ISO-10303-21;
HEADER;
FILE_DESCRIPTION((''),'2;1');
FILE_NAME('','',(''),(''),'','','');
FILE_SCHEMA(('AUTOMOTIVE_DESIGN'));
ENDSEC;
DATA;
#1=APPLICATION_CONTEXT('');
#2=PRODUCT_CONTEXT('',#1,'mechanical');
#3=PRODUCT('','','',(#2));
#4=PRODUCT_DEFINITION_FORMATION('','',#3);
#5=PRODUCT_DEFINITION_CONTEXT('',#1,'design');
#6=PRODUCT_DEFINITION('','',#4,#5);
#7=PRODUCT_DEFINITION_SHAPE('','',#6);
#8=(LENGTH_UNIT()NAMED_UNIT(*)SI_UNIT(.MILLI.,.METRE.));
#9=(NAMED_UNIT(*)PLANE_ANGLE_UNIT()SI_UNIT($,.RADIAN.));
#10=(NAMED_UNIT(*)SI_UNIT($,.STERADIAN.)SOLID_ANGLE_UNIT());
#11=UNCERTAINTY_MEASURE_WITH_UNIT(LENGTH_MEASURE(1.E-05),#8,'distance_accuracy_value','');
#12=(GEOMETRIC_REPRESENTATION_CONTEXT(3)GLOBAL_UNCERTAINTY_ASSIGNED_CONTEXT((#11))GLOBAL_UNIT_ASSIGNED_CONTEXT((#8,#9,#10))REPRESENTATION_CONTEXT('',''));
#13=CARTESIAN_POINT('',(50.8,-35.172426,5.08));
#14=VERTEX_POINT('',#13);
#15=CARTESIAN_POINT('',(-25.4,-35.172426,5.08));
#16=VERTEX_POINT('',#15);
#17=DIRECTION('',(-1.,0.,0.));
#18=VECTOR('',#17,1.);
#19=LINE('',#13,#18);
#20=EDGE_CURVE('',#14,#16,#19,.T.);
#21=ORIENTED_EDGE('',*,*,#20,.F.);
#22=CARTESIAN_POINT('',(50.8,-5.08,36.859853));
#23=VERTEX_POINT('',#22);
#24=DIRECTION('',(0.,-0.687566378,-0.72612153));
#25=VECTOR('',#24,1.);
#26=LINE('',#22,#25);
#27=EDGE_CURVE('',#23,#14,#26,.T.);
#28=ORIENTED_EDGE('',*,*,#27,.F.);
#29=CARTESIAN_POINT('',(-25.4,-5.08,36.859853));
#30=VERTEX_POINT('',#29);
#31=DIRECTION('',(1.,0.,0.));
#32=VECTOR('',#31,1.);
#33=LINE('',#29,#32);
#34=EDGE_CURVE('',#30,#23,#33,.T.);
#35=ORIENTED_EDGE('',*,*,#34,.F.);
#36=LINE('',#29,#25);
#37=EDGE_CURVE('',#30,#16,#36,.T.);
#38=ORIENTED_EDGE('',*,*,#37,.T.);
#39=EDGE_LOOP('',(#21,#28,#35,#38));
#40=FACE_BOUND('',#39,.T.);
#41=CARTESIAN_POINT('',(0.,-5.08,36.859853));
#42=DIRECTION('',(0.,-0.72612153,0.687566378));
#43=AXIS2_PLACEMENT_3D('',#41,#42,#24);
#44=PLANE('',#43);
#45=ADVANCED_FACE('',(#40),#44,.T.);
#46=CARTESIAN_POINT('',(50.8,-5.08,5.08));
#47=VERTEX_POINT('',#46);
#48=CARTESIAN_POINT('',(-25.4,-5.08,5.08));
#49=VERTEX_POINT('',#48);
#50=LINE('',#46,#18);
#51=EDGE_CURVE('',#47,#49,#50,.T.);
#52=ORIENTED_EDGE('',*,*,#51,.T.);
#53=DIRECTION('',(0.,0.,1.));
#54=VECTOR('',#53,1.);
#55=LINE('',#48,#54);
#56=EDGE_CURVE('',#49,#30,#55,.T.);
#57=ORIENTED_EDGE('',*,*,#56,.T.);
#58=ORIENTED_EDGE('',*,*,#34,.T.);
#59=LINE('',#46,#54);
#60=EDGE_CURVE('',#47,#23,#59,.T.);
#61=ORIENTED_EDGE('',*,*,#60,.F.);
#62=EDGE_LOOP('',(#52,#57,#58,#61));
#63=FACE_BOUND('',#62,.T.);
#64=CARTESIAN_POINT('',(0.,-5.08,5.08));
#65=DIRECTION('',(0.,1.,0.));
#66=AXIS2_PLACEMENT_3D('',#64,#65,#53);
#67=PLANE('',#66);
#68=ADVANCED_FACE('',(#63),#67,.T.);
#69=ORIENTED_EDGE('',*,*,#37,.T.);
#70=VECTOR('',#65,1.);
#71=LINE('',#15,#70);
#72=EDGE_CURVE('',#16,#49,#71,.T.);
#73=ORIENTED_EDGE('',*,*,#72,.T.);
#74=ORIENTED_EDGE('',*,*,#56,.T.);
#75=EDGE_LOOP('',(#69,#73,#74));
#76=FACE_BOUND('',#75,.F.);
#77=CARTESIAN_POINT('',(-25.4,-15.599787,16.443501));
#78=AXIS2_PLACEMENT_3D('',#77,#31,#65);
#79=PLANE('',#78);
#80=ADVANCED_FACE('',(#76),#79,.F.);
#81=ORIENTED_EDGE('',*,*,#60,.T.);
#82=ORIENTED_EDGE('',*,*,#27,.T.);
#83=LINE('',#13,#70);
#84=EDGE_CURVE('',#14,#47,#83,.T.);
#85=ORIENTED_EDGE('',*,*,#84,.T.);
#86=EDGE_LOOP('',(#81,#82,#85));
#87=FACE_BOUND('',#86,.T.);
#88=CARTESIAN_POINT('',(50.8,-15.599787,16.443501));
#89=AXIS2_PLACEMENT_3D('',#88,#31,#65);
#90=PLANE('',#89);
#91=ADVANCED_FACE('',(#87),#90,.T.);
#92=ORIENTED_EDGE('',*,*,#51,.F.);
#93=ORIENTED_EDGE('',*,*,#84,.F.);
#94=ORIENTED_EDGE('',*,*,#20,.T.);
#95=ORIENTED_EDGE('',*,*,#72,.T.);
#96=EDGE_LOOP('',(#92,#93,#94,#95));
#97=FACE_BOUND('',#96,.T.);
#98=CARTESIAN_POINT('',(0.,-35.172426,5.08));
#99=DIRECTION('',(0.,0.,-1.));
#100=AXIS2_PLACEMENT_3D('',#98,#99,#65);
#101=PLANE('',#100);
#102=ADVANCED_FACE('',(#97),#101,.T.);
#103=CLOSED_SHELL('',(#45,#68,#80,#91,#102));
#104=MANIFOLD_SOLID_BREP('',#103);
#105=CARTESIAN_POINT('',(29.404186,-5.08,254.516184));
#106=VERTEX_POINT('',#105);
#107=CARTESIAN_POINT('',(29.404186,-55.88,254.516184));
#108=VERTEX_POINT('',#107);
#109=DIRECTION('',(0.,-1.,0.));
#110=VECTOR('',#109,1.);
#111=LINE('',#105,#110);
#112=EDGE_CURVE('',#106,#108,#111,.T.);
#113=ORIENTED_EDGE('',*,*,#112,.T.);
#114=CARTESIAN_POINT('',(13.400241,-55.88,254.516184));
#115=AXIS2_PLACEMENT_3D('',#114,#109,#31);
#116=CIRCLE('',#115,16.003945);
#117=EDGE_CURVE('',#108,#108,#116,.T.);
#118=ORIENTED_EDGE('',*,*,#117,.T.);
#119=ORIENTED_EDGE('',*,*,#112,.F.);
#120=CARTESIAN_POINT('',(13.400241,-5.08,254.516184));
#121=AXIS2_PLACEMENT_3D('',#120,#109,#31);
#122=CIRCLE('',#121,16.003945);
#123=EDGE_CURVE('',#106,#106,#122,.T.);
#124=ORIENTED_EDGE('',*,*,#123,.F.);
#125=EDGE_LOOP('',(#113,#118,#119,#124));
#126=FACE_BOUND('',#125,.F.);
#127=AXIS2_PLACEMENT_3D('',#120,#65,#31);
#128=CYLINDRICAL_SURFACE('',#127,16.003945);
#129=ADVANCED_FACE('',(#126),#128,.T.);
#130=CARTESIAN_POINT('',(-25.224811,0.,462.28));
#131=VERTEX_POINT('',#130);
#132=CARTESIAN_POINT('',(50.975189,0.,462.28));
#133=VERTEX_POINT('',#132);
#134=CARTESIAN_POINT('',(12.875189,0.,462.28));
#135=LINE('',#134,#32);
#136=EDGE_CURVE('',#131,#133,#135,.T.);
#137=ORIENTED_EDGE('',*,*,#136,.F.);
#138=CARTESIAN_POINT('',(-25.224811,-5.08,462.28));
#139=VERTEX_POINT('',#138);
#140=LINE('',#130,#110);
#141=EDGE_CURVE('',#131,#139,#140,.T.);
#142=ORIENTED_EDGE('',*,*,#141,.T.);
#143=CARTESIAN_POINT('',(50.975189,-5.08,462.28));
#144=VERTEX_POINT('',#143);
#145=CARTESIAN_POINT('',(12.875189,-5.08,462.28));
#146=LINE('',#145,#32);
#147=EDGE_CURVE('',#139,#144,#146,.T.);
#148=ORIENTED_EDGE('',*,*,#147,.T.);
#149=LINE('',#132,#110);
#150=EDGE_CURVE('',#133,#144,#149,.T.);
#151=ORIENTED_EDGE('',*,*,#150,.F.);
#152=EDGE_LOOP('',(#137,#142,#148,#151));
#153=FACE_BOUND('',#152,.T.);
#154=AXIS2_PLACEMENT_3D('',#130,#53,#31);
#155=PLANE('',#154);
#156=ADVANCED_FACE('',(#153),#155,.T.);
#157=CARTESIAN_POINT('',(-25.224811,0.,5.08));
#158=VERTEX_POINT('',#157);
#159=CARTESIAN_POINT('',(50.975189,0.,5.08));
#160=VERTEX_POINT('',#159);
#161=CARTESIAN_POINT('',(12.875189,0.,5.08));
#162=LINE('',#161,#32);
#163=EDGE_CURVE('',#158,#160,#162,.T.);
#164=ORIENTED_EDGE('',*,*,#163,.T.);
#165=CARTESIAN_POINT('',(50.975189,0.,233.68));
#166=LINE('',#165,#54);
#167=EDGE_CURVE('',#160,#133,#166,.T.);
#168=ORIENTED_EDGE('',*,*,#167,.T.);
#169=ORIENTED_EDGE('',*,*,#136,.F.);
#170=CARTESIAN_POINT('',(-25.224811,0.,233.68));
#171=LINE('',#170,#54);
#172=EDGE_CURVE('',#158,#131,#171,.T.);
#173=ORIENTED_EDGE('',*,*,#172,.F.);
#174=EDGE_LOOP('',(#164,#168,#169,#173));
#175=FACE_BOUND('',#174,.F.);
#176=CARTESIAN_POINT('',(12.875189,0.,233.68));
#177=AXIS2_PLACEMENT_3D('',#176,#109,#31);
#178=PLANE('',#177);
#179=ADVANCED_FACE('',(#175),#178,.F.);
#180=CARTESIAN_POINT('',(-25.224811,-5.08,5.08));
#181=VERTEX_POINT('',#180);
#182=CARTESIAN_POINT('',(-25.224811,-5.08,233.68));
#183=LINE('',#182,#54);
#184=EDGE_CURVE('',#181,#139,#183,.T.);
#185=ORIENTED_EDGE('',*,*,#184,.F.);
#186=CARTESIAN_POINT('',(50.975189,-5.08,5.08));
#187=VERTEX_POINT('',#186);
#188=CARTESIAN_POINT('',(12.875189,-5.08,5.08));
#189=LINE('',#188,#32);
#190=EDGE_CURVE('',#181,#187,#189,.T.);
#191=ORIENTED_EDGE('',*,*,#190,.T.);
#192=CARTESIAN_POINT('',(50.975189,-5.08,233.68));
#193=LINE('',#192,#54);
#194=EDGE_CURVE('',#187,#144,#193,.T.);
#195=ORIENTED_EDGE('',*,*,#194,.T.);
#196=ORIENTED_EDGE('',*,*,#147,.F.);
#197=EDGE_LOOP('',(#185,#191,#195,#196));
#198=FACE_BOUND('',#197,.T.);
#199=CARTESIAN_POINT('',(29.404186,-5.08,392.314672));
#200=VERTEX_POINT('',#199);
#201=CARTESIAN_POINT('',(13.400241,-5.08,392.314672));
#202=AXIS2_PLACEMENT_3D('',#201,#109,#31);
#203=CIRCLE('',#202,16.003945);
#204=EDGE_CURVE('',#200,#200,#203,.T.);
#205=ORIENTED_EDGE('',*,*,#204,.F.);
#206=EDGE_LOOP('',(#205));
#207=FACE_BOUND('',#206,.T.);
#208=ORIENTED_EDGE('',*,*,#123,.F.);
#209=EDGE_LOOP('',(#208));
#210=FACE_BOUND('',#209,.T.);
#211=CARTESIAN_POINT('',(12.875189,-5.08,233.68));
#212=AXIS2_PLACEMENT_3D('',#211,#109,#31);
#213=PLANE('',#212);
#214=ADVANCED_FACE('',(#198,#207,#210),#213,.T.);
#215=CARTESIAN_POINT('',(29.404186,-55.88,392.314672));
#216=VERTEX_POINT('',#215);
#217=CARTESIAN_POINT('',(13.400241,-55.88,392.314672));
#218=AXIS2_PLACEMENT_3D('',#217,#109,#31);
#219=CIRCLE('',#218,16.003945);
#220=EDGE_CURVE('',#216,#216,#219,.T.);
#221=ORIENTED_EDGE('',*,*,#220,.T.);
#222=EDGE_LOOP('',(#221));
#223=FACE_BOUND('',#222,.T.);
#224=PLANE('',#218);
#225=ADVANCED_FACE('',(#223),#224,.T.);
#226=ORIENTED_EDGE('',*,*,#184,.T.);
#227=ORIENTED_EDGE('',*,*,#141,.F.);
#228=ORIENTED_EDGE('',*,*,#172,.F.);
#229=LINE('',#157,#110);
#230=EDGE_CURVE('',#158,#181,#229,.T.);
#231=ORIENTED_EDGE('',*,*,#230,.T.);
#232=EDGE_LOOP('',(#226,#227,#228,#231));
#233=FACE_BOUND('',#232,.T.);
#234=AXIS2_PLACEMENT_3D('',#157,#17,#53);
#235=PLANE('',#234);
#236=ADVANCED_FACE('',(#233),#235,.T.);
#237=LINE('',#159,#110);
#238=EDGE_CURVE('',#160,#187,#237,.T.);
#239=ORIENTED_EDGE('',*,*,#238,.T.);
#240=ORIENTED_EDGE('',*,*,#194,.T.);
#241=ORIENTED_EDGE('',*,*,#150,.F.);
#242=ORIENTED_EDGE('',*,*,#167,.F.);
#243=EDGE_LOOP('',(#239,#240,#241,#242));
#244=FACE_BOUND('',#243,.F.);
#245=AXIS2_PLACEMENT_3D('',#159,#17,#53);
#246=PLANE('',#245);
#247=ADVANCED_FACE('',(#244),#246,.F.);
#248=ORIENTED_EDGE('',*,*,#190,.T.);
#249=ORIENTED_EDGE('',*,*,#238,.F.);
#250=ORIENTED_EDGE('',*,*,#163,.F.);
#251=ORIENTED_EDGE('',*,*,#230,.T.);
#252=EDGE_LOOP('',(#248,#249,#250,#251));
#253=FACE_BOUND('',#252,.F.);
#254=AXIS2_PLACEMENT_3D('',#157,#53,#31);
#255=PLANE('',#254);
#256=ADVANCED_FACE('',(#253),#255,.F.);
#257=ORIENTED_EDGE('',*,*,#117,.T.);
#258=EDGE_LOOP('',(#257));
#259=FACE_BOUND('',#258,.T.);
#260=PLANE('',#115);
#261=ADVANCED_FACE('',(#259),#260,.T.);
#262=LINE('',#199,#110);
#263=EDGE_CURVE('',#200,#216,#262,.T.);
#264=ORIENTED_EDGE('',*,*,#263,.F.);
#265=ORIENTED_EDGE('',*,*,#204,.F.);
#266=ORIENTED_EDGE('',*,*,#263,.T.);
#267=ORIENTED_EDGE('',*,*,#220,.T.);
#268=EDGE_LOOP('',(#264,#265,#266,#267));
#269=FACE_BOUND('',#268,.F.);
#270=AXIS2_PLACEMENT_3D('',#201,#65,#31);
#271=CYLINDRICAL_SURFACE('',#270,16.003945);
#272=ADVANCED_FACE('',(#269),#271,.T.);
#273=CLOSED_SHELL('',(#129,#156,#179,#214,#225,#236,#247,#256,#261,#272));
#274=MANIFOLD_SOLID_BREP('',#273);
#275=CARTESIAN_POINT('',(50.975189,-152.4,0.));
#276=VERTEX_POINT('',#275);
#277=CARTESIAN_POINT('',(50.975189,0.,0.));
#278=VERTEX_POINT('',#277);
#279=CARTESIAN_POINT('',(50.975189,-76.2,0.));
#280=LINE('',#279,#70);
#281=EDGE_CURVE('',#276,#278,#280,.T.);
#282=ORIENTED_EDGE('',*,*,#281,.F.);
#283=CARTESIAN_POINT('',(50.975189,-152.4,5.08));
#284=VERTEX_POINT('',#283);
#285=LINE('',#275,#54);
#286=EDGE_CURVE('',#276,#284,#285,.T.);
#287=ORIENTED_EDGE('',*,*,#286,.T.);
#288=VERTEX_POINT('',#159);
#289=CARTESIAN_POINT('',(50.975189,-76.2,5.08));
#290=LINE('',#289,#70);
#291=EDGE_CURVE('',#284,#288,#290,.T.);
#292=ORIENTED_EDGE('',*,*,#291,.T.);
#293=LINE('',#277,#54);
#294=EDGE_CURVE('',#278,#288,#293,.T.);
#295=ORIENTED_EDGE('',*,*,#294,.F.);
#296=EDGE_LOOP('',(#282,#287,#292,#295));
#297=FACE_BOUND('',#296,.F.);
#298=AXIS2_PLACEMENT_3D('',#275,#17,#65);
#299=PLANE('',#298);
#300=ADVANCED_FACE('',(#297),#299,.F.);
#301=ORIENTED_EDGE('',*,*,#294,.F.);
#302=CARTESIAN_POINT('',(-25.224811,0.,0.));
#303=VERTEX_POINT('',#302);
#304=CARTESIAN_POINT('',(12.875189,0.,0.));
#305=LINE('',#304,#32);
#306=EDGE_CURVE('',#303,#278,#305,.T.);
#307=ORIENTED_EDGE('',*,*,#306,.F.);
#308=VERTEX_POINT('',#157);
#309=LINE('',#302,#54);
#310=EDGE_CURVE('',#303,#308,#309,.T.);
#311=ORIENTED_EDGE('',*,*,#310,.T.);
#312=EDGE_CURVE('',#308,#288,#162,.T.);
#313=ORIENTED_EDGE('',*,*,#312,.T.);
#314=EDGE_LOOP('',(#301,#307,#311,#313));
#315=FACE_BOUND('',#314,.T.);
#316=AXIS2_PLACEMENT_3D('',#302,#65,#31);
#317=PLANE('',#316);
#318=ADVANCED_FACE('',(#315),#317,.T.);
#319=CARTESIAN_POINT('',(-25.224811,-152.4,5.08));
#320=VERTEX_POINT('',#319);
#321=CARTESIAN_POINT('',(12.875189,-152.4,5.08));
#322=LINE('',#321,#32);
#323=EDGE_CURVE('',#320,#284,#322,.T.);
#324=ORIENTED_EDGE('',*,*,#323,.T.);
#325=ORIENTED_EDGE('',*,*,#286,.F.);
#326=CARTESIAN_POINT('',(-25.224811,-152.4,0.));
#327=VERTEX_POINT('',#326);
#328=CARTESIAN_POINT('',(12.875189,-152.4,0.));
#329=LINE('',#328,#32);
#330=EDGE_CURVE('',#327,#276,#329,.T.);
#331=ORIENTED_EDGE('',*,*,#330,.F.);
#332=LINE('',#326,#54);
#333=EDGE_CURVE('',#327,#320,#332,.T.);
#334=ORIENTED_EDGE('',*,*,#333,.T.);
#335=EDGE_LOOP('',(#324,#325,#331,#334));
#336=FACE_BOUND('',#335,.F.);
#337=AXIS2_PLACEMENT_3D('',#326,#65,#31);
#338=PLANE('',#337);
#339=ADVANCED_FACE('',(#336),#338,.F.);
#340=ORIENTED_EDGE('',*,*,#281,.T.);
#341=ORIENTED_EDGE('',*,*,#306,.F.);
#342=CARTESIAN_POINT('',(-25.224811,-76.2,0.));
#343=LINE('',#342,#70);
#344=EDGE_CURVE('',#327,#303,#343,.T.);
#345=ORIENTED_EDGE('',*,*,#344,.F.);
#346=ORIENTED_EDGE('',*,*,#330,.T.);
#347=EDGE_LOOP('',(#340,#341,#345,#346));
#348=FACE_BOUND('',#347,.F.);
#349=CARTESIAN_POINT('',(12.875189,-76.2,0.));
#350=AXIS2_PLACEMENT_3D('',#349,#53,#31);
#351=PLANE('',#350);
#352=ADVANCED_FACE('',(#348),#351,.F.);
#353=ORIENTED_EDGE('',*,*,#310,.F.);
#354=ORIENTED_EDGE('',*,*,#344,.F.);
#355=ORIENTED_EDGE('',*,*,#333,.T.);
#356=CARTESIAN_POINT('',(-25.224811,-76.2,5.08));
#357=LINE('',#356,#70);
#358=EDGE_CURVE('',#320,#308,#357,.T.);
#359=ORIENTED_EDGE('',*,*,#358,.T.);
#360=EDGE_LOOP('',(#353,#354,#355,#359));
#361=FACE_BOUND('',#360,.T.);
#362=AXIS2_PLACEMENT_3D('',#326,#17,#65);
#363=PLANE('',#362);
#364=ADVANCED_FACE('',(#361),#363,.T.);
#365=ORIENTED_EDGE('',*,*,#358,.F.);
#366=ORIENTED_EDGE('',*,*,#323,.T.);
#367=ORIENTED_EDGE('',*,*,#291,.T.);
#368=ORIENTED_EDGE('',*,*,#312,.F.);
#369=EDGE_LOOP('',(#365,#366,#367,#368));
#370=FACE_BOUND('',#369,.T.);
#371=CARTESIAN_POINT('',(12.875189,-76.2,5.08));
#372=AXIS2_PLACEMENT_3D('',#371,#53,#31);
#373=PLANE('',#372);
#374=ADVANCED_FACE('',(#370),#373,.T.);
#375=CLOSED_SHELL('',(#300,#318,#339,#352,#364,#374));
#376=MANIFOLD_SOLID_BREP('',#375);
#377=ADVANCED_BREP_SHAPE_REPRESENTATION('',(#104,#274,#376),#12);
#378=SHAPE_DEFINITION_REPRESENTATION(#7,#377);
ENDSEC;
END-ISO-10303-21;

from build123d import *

# Parameters (mm, degrees)
F0_W          = 76.2
F0_H          = 152.4
F1_DEPTH      = 5.08
F2_W          = 76.2
F2_H          = 457.2
F3_DEPTH      = 5.08
F5_DEPTH      = 50.8
F5_DEPTH_BACK = 25.4
F6_R          = 16.003945
F7_DEPTH      = 50.8


with BuildPart() as f1:
    # F0 (on Top) → F1 (new body)
    with BuildSketch(Plane.XY):
        with Locations((12.875189, -76.2)):
            Rectangle(F0_W, F0_H)
    extrude(amount=F1_DEPTH)


with BuildPart() as f3:
    # F2 (on Front) → F3 (new body)
    with BuildSketch(Plane.XZ):
        with Locations((12.875189, 233.68)):
            Rectangle(F2_W, F2_H)
    extrude(amount=F3_DEPTH)

    # F6 (on face) → F7 (join)
    with BuildSketch(Plane.XZ.offset(5.08)):
        with Locations((13.400241, 392.314672)):
            Circle(F6_R)
        with Locations((13.400241, 254.516184)):
            Circle(F6_R)
    extrude(amount=F7_DEPTH)


with BuildPart() as f5:
    # F4 (on Right) → F5 (new body, two sides)
    with BuildSketch(Plane.YZ) as f5_sk:
        Polygon((-5.08, 5.08), (-5.08, 36.859853), (-35.172426, 5.08), align=None)
    extrude(amount=F5_DEPTH)
    extrude(f5_sk.sketch, amount=-F5_DEPTH_BACK)


solid = Compound([f1.part, f3.part, f5.part])
